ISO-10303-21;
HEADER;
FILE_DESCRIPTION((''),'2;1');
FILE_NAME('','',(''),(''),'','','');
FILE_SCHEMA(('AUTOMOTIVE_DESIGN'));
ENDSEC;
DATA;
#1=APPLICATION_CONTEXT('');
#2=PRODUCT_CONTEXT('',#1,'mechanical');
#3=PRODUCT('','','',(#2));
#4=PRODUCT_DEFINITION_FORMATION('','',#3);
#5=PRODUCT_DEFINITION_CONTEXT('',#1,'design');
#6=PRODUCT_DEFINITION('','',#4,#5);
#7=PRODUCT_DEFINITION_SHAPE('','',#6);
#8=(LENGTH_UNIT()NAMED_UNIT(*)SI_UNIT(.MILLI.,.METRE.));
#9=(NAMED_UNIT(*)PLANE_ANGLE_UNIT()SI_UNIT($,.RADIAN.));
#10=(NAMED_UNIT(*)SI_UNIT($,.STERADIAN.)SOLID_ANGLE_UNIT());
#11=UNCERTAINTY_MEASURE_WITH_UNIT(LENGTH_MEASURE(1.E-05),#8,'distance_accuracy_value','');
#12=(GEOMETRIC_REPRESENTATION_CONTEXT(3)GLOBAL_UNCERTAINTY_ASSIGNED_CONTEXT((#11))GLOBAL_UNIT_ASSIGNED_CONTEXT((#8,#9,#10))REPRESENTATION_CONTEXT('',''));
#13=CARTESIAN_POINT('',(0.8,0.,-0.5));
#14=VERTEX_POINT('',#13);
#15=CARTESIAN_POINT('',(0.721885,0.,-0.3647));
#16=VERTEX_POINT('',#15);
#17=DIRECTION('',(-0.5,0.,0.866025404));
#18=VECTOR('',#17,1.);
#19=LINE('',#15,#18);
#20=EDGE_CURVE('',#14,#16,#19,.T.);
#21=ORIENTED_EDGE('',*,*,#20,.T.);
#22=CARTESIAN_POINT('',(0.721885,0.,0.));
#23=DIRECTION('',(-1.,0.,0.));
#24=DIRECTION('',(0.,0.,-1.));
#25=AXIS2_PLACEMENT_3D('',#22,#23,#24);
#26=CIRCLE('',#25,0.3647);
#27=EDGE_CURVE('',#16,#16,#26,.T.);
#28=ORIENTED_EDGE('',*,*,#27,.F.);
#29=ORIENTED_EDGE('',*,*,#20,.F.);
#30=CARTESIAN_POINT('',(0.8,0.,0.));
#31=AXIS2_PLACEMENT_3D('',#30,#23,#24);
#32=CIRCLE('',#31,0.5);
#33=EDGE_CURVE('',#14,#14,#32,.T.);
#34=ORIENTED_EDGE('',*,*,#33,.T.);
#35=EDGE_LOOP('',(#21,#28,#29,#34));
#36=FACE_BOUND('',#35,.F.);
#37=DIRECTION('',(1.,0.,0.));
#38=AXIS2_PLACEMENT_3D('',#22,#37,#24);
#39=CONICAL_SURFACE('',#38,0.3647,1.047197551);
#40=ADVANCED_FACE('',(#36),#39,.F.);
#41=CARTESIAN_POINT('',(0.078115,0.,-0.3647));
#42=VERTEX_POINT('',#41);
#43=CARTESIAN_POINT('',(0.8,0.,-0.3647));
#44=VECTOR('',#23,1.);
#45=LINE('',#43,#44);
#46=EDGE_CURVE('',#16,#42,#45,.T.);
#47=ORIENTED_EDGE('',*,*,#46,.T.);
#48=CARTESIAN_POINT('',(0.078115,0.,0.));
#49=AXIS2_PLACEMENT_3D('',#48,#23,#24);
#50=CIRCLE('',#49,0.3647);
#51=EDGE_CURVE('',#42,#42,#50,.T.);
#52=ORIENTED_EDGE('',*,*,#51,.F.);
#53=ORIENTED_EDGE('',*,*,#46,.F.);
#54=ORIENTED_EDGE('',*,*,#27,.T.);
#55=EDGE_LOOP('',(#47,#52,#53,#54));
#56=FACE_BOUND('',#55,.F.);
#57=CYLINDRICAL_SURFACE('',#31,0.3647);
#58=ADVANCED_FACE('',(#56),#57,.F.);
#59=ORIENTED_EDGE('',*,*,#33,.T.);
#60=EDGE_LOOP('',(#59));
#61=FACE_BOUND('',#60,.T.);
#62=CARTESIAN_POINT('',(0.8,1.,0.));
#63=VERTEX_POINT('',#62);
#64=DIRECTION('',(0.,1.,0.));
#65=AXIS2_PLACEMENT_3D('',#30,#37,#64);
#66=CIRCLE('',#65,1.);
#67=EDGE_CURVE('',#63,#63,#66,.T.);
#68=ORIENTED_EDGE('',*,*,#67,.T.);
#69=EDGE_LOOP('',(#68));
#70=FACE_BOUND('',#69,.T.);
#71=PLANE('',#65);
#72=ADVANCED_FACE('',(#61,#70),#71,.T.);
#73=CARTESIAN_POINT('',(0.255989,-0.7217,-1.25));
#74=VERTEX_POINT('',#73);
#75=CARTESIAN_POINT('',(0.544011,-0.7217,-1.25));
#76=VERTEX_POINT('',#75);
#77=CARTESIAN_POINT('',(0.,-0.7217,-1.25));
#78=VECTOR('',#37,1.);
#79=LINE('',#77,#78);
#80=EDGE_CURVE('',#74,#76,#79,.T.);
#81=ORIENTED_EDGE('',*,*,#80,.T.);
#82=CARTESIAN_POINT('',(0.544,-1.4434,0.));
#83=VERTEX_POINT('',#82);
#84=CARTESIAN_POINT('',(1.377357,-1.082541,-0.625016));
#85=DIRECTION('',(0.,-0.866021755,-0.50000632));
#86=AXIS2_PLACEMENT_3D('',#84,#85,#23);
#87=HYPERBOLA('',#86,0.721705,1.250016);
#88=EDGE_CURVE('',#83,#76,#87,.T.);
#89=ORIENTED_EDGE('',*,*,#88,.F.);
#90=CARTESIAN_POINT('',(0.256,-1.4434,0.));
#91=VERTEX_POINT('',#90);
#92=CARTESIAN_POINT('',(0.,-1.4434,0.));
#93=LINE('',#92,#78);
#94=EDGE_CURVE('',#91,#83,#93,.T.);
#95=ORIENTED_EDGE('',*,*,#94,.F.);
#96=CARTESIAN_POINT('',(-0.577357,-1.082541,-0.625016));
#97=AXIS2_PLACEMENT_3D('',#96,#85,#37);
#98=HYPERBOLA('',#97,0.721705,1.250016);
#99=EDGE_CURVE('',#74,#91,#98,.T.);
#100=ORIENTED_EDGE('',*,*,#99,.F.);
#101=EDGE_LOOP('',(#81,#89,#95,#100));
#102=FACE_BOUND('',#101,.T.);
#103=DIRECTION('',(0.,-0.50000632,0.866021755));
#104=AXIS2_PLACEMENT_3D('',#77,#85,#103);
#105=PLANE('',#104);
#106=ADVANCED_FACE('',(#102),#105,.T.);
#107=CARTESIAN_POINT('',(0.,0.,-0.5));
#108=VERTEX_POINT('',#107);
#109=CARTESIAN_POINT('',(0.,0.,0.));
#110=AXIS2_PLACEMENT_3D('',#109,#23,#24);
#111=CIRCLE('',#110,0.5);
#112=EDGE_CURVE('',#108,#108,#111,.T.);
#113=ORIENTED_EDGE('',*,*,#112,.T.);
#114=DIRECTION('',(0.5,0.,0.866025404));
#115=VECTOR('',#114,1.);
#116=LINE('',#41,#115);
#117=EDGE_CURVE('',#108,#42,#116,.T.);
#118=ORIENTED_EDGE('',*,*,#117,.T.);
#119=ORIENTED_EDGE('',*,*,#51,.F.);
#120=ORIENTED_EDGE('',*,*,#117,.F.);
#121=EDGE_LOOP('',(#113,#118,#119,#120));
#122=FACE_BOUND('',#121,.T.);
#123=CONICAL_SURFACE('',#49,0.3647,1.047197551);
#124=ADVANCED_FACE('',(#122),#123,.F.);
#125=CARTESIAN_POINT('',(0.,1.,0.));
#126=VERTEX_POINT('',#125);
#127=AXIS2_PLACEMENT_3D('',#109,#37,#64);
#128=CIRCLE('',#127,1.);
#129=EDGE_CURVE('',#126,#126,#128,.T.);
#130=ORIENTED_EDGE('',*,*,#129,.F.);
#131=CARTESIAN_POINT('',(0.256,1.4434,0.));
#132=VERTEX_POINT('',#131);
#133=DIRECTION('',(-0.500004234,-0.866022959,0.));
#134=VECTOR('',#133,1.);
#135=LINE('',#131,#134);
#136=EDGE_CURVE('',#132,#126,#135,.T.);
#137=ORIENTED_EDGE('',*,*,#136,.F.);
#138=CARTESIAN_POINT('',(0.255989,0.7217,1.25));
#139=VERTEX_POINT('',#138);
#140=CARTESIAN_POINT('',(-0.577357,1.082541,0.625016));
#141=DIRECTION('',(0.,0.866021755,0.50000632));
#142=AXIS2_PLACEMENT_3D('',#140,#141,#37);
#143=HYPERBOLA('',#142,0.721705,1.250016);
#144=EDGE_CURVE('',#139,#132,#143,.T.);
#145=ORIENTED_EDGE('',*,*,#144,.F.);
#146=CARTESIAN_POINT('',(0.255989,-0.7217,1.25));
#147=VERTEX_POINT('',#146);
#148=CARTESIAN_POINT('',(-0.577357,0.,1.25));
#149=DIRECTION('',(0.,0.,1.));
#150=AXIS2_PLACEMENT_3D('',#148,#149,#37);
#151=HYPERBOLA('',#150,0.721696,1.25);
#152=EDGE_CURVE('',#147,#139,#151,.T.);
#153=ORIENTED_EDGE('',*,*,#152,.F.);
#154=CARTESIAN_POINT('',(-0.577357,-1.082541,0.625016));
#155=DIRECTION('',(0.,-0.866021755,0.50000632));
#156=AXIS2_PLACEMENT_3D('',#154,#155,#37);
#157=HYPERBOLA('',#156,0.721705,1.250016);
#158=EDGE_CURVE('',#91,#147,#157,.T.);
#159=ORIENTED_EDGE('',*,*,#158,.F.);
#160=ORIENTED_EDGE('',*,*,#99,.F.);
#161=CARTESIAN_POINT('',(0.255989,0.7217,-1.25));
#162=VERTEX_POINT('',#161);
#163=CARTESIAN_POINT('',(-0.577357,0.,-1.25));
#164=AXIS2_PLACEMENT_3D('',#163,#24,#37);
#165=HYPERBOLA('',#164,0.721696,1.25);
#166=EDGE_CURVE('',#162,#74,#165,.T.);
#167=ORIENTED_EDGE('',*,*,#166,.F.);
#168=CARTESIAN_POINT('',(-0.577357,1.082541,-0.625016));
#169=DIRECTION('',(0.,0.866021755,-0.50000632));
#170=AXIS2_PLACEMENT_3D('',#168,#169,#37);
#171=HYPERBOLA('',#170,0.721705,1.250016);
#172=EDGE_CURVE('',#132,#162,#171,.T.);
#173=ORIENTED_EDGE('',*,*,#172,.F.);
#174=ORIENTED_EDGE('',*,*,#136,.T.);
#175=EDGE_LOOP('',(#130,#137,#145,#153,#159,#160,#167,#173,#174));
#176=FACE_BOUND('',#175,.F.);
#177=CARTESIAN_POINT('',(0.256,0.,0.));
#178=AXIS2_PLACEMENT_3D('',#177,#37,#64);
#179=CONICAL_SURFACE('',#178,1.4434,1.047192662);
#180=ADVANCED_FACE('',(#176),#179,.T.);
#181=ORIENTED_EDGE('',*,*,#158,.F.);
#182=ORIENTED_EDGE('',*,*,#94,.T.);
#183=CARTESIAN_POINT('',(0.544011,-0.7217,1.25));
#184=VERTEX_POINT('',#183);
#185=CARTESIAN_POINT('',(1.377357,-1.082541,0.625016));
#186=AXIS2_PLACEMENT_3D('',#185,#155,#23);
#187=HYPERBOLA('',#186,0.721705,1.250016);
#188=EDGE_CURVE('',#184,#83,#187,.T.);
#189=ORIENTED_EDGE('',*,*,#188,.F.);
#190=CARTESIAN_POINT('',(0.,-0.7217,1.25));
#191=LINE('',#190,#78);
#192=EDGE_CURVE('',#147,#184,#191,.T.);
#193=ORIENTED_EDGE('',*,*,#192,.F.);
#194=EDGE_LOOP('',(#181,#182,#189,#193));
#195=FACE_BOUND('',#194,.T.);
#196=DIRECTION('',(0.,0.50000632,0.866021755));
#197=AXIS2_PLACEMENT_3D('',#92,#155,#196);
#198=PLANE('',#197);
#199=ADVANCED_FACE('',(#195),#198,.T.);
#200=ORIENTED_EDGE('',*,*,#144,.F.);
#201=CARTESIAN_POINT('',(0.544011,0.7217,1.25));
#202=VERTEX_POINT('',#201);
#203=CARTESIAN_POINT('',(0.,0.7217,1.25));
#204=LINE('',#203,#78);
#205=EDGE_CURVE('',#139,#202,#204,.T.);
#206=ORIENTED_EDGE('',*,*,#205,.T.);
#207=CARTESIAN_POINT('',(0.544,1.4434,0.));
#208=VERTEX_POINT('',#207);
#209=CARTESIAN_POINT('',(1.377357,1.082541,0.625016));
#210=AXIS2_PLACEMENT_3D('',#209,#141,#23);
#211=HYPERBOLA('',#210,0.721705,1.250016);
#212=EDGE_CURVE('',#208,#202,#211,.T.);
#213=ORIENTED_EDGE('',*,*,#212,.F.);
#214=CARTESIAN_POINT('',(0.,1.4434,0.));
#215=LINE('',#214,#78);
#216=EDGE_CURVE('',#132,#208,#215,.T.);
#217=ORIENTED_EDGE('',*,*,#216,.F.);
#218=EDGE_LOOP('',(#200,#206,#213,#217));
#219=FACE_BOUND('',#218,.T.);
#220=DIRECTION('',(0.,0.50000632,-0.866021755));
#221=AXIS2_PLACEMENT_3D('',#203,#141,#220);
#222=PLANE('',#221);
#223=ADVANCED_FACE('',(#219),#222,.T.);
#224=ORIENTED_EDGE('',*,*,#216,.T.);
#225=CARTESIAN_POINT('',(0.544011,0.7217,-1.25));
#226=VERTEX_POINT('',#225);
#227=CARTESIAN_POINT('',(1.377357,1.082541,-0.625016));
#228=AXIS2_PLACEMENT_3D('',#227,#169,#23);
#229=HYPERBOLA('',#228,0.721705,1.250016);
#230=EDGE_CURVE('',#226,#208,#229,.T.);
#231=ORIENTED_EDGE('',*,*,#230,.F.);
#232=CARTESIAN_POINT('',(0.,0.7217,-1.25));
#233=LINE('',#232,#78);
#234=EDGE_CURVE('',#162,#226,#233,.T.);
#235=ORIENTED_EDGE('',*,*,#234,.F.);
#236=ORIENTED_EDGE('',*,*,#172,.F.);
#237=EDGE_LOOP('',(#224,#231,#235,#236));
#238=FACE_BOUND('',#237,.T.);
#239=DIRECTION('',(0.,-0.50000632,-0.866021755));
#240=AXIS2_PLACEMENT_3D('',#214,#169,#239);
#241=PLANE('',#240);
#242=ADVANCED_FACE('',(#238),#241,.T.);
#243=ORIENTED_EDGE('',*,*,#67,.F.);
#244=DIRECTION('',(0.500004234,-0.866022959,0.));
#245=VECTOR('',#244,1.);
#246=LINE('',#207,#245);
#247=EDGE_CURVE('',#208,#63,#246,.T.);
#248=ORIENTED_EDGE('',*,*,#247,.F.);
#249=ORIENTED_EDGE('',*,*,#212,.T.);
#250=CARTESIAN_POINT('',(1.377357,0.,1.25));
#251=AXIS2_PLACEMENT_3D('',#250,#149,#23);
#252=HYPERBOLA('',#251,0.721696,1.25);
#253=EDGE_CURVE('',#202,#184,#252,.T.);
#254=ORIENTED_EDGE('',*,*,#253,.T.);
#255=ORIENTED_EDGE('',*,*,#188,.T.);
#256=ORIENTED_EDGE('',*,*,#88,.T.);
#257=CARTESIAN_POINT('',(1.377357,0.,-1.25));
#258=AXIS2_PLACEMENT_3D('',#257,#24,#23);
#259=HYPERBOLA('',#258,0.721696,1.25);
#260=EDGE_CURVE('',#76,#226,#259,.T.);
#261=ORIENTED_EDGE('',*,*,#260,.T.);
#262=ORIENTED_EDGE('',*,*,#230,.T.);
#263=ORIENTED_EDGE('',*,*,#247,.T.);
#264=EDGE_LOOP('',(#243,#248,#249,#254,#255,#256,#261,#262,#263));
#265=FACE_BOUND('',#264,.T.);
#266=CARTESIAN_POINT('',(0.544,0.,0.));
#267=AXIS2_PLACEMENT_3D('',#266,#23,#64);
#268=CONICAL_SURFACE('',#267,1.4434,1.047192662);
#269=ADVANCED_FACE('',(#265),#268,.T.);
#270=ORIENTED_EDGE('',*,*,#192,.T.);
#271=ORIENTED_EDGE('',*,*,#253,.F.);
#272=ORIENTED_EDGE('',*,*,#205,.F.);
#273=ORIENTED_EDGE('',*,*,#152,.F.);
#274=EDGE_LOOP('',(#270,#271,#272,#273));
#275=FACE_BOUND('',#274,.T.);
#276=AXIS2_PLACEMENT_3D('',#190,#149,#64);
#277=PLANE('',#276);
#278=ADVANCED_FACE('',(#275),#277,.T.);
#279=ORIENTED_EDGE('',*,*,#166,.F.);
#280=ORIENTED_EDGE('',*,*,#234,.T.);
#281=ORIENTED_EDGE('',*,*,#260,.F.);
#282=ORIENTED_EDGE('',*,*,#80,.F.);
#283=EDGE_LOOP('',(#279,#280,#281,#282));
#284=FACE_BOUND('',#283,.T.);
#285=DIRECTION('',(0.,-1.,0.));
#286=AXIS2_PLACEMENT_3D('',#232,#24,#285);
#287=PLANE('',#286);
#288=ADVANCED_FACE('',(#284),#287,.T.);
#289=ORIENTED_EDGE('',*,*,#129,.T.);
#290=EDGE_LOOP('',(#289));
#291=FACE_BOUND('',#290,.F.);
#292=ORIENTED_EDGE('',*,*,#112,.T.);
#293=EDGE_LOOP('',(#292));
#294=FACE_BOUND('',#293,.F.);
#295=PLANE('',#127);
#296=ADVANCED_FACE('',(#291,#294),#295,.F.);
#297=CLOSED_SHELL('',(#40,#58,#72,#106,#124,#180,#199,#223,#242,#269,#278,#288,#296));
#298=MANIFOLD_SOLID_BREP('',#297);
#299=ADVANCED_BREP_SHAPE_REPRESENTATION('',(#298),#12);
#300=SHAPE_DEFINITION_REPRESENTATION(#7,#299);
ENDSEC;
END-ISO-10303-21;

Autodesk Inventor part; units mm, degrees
ref_plane "YZ Plane" through (0, 0, 0) normal (1, 0, 0) x (0, 1, 0)
ref_plane "XZ Plane" through (0, 0, 0) normal (0, 1, 0) x (-1, 0, 0)
sketch "Эскиз1" plane through (0, 0, 0) normal (1, 0, 0) x (0, 1, 0)
  line L0 (-1.4434, 0) -> (-0.7217, 1.25)
  line L1 (-0.7217, 1.25) -> (0.7217, 1.25)
  line L2 (0.7217, 1.25) -> (1.4434, 0)
  line L3 (1.4434, 0) -> (0.7217, -1.25)
  line L4 (0.7217, -1.25) -> (-0.7217, -1.25)
  line L5 (-0.7217, -1.25) -> (-1.4434, 0)
  point P0 (0, 0)
  point P1 (0, 0)
  dimension "d0" = 2.8868
extrude "Базовый элемент" add sketch "Эскиз1" along normal blind 0.8
sketch "Эскиз2" plane through (0, 0, 0) normal (0, 0, 1) x (1, 0, 0)
  line L0 (0, 0.7217) -> (0, 1.4434) projected
  line L1 (0, 1.4434) -> (0.8, 1.4434) projected
  line L2 (0.8, 0.7217) -> (0.8, 1.4434) projected
  line L3 (-0.16, 0) -> (0.96, 0) projected
  line L4 (0.256, 1.4434) -> (0, 1)
  line L5 (0.544, 1.4434) -> (0.8, 1)
  dimension "d3" = 30
  dimension "d4" = 30
  dimension "d5" = 2
  dimension "d6" = 2
revolve "Фаска1" cut sketch "Эскиз2" angle 360 about axis through (-10, 0, 0) along (1, 0, 0)
sketch "Эскиз3" plane through (0.8, 0, 0) normal (1, 0, 0) x (0, 0, -1)
  arc A0 (-0.625, -1.0825) -> (0.625, -1.0825) centre (0, 0) ccw projected
hole "Резьба" at (0.8, 0, 0) direction (-1, 0, 0) diameter 0.7294 end through all thread size "M1x0.25" class "6H" standard "ISO Metric profile"
chamfer "Фаска2" distance 0.1353 angle 30 1 edges at (0.8, 0, 0.3647) measured on face at (0.8, 0.7777, -0.0944)
chamfer "Фаска3" distance 0.1353 angle 30 1 edges at (0, 0, 0.3647) measured on face at (0, 0.7777, -0.0944)
ref_plane "Work Plane1" through (-3.1017, 0, 0) normal (0, -0.866, -0.5) x (1, 0, 0)
equation "\"d0\" = 1.1547 * SW"
equation "\"d1\" = KOH"
equation "\"d8\" = -0.5 * GD1 + 0.5 * NND"
equation "\"d40\" = -0.5 * GD1 + 0.5 * NND"
equation "\"d10\" = -0.5 * GD1 + 0.5 * NND"
equation "\"d41\" = -0.5 * GD1 + 0.5 * NND"
equation "\"d3\" = ANG1"
equation "\"d4\" = ANG2"
equation "\"d5\" = SW0"
equation "\"d6\" = SW01"
equation "\"ANG1\" = 30deg"
equation "\"ANG2\" = 30deg"
equation "\"NND\" = 1"
equation "\"KOH\" = 0.8"
equation "\"SW\" = 2.5"
equation "\"SW0\" = SW01"
equation "\"SW01\" = 2"
equation "\"GUL\" = 0.541266 * PTC"
equation "\"THREADDIA\" = 1"
equation "\"TOA\" = 30deg"
equation "\"PTC\" = 0.25"
equation "\"E0\" = 1.155 * SW"
equation "\"GAL\" = 0.541266 * PTC"
equation "\"GD1\" = 0.729367"
properties part number "DIN 934 - M1" material "Сталь, мягкая"
